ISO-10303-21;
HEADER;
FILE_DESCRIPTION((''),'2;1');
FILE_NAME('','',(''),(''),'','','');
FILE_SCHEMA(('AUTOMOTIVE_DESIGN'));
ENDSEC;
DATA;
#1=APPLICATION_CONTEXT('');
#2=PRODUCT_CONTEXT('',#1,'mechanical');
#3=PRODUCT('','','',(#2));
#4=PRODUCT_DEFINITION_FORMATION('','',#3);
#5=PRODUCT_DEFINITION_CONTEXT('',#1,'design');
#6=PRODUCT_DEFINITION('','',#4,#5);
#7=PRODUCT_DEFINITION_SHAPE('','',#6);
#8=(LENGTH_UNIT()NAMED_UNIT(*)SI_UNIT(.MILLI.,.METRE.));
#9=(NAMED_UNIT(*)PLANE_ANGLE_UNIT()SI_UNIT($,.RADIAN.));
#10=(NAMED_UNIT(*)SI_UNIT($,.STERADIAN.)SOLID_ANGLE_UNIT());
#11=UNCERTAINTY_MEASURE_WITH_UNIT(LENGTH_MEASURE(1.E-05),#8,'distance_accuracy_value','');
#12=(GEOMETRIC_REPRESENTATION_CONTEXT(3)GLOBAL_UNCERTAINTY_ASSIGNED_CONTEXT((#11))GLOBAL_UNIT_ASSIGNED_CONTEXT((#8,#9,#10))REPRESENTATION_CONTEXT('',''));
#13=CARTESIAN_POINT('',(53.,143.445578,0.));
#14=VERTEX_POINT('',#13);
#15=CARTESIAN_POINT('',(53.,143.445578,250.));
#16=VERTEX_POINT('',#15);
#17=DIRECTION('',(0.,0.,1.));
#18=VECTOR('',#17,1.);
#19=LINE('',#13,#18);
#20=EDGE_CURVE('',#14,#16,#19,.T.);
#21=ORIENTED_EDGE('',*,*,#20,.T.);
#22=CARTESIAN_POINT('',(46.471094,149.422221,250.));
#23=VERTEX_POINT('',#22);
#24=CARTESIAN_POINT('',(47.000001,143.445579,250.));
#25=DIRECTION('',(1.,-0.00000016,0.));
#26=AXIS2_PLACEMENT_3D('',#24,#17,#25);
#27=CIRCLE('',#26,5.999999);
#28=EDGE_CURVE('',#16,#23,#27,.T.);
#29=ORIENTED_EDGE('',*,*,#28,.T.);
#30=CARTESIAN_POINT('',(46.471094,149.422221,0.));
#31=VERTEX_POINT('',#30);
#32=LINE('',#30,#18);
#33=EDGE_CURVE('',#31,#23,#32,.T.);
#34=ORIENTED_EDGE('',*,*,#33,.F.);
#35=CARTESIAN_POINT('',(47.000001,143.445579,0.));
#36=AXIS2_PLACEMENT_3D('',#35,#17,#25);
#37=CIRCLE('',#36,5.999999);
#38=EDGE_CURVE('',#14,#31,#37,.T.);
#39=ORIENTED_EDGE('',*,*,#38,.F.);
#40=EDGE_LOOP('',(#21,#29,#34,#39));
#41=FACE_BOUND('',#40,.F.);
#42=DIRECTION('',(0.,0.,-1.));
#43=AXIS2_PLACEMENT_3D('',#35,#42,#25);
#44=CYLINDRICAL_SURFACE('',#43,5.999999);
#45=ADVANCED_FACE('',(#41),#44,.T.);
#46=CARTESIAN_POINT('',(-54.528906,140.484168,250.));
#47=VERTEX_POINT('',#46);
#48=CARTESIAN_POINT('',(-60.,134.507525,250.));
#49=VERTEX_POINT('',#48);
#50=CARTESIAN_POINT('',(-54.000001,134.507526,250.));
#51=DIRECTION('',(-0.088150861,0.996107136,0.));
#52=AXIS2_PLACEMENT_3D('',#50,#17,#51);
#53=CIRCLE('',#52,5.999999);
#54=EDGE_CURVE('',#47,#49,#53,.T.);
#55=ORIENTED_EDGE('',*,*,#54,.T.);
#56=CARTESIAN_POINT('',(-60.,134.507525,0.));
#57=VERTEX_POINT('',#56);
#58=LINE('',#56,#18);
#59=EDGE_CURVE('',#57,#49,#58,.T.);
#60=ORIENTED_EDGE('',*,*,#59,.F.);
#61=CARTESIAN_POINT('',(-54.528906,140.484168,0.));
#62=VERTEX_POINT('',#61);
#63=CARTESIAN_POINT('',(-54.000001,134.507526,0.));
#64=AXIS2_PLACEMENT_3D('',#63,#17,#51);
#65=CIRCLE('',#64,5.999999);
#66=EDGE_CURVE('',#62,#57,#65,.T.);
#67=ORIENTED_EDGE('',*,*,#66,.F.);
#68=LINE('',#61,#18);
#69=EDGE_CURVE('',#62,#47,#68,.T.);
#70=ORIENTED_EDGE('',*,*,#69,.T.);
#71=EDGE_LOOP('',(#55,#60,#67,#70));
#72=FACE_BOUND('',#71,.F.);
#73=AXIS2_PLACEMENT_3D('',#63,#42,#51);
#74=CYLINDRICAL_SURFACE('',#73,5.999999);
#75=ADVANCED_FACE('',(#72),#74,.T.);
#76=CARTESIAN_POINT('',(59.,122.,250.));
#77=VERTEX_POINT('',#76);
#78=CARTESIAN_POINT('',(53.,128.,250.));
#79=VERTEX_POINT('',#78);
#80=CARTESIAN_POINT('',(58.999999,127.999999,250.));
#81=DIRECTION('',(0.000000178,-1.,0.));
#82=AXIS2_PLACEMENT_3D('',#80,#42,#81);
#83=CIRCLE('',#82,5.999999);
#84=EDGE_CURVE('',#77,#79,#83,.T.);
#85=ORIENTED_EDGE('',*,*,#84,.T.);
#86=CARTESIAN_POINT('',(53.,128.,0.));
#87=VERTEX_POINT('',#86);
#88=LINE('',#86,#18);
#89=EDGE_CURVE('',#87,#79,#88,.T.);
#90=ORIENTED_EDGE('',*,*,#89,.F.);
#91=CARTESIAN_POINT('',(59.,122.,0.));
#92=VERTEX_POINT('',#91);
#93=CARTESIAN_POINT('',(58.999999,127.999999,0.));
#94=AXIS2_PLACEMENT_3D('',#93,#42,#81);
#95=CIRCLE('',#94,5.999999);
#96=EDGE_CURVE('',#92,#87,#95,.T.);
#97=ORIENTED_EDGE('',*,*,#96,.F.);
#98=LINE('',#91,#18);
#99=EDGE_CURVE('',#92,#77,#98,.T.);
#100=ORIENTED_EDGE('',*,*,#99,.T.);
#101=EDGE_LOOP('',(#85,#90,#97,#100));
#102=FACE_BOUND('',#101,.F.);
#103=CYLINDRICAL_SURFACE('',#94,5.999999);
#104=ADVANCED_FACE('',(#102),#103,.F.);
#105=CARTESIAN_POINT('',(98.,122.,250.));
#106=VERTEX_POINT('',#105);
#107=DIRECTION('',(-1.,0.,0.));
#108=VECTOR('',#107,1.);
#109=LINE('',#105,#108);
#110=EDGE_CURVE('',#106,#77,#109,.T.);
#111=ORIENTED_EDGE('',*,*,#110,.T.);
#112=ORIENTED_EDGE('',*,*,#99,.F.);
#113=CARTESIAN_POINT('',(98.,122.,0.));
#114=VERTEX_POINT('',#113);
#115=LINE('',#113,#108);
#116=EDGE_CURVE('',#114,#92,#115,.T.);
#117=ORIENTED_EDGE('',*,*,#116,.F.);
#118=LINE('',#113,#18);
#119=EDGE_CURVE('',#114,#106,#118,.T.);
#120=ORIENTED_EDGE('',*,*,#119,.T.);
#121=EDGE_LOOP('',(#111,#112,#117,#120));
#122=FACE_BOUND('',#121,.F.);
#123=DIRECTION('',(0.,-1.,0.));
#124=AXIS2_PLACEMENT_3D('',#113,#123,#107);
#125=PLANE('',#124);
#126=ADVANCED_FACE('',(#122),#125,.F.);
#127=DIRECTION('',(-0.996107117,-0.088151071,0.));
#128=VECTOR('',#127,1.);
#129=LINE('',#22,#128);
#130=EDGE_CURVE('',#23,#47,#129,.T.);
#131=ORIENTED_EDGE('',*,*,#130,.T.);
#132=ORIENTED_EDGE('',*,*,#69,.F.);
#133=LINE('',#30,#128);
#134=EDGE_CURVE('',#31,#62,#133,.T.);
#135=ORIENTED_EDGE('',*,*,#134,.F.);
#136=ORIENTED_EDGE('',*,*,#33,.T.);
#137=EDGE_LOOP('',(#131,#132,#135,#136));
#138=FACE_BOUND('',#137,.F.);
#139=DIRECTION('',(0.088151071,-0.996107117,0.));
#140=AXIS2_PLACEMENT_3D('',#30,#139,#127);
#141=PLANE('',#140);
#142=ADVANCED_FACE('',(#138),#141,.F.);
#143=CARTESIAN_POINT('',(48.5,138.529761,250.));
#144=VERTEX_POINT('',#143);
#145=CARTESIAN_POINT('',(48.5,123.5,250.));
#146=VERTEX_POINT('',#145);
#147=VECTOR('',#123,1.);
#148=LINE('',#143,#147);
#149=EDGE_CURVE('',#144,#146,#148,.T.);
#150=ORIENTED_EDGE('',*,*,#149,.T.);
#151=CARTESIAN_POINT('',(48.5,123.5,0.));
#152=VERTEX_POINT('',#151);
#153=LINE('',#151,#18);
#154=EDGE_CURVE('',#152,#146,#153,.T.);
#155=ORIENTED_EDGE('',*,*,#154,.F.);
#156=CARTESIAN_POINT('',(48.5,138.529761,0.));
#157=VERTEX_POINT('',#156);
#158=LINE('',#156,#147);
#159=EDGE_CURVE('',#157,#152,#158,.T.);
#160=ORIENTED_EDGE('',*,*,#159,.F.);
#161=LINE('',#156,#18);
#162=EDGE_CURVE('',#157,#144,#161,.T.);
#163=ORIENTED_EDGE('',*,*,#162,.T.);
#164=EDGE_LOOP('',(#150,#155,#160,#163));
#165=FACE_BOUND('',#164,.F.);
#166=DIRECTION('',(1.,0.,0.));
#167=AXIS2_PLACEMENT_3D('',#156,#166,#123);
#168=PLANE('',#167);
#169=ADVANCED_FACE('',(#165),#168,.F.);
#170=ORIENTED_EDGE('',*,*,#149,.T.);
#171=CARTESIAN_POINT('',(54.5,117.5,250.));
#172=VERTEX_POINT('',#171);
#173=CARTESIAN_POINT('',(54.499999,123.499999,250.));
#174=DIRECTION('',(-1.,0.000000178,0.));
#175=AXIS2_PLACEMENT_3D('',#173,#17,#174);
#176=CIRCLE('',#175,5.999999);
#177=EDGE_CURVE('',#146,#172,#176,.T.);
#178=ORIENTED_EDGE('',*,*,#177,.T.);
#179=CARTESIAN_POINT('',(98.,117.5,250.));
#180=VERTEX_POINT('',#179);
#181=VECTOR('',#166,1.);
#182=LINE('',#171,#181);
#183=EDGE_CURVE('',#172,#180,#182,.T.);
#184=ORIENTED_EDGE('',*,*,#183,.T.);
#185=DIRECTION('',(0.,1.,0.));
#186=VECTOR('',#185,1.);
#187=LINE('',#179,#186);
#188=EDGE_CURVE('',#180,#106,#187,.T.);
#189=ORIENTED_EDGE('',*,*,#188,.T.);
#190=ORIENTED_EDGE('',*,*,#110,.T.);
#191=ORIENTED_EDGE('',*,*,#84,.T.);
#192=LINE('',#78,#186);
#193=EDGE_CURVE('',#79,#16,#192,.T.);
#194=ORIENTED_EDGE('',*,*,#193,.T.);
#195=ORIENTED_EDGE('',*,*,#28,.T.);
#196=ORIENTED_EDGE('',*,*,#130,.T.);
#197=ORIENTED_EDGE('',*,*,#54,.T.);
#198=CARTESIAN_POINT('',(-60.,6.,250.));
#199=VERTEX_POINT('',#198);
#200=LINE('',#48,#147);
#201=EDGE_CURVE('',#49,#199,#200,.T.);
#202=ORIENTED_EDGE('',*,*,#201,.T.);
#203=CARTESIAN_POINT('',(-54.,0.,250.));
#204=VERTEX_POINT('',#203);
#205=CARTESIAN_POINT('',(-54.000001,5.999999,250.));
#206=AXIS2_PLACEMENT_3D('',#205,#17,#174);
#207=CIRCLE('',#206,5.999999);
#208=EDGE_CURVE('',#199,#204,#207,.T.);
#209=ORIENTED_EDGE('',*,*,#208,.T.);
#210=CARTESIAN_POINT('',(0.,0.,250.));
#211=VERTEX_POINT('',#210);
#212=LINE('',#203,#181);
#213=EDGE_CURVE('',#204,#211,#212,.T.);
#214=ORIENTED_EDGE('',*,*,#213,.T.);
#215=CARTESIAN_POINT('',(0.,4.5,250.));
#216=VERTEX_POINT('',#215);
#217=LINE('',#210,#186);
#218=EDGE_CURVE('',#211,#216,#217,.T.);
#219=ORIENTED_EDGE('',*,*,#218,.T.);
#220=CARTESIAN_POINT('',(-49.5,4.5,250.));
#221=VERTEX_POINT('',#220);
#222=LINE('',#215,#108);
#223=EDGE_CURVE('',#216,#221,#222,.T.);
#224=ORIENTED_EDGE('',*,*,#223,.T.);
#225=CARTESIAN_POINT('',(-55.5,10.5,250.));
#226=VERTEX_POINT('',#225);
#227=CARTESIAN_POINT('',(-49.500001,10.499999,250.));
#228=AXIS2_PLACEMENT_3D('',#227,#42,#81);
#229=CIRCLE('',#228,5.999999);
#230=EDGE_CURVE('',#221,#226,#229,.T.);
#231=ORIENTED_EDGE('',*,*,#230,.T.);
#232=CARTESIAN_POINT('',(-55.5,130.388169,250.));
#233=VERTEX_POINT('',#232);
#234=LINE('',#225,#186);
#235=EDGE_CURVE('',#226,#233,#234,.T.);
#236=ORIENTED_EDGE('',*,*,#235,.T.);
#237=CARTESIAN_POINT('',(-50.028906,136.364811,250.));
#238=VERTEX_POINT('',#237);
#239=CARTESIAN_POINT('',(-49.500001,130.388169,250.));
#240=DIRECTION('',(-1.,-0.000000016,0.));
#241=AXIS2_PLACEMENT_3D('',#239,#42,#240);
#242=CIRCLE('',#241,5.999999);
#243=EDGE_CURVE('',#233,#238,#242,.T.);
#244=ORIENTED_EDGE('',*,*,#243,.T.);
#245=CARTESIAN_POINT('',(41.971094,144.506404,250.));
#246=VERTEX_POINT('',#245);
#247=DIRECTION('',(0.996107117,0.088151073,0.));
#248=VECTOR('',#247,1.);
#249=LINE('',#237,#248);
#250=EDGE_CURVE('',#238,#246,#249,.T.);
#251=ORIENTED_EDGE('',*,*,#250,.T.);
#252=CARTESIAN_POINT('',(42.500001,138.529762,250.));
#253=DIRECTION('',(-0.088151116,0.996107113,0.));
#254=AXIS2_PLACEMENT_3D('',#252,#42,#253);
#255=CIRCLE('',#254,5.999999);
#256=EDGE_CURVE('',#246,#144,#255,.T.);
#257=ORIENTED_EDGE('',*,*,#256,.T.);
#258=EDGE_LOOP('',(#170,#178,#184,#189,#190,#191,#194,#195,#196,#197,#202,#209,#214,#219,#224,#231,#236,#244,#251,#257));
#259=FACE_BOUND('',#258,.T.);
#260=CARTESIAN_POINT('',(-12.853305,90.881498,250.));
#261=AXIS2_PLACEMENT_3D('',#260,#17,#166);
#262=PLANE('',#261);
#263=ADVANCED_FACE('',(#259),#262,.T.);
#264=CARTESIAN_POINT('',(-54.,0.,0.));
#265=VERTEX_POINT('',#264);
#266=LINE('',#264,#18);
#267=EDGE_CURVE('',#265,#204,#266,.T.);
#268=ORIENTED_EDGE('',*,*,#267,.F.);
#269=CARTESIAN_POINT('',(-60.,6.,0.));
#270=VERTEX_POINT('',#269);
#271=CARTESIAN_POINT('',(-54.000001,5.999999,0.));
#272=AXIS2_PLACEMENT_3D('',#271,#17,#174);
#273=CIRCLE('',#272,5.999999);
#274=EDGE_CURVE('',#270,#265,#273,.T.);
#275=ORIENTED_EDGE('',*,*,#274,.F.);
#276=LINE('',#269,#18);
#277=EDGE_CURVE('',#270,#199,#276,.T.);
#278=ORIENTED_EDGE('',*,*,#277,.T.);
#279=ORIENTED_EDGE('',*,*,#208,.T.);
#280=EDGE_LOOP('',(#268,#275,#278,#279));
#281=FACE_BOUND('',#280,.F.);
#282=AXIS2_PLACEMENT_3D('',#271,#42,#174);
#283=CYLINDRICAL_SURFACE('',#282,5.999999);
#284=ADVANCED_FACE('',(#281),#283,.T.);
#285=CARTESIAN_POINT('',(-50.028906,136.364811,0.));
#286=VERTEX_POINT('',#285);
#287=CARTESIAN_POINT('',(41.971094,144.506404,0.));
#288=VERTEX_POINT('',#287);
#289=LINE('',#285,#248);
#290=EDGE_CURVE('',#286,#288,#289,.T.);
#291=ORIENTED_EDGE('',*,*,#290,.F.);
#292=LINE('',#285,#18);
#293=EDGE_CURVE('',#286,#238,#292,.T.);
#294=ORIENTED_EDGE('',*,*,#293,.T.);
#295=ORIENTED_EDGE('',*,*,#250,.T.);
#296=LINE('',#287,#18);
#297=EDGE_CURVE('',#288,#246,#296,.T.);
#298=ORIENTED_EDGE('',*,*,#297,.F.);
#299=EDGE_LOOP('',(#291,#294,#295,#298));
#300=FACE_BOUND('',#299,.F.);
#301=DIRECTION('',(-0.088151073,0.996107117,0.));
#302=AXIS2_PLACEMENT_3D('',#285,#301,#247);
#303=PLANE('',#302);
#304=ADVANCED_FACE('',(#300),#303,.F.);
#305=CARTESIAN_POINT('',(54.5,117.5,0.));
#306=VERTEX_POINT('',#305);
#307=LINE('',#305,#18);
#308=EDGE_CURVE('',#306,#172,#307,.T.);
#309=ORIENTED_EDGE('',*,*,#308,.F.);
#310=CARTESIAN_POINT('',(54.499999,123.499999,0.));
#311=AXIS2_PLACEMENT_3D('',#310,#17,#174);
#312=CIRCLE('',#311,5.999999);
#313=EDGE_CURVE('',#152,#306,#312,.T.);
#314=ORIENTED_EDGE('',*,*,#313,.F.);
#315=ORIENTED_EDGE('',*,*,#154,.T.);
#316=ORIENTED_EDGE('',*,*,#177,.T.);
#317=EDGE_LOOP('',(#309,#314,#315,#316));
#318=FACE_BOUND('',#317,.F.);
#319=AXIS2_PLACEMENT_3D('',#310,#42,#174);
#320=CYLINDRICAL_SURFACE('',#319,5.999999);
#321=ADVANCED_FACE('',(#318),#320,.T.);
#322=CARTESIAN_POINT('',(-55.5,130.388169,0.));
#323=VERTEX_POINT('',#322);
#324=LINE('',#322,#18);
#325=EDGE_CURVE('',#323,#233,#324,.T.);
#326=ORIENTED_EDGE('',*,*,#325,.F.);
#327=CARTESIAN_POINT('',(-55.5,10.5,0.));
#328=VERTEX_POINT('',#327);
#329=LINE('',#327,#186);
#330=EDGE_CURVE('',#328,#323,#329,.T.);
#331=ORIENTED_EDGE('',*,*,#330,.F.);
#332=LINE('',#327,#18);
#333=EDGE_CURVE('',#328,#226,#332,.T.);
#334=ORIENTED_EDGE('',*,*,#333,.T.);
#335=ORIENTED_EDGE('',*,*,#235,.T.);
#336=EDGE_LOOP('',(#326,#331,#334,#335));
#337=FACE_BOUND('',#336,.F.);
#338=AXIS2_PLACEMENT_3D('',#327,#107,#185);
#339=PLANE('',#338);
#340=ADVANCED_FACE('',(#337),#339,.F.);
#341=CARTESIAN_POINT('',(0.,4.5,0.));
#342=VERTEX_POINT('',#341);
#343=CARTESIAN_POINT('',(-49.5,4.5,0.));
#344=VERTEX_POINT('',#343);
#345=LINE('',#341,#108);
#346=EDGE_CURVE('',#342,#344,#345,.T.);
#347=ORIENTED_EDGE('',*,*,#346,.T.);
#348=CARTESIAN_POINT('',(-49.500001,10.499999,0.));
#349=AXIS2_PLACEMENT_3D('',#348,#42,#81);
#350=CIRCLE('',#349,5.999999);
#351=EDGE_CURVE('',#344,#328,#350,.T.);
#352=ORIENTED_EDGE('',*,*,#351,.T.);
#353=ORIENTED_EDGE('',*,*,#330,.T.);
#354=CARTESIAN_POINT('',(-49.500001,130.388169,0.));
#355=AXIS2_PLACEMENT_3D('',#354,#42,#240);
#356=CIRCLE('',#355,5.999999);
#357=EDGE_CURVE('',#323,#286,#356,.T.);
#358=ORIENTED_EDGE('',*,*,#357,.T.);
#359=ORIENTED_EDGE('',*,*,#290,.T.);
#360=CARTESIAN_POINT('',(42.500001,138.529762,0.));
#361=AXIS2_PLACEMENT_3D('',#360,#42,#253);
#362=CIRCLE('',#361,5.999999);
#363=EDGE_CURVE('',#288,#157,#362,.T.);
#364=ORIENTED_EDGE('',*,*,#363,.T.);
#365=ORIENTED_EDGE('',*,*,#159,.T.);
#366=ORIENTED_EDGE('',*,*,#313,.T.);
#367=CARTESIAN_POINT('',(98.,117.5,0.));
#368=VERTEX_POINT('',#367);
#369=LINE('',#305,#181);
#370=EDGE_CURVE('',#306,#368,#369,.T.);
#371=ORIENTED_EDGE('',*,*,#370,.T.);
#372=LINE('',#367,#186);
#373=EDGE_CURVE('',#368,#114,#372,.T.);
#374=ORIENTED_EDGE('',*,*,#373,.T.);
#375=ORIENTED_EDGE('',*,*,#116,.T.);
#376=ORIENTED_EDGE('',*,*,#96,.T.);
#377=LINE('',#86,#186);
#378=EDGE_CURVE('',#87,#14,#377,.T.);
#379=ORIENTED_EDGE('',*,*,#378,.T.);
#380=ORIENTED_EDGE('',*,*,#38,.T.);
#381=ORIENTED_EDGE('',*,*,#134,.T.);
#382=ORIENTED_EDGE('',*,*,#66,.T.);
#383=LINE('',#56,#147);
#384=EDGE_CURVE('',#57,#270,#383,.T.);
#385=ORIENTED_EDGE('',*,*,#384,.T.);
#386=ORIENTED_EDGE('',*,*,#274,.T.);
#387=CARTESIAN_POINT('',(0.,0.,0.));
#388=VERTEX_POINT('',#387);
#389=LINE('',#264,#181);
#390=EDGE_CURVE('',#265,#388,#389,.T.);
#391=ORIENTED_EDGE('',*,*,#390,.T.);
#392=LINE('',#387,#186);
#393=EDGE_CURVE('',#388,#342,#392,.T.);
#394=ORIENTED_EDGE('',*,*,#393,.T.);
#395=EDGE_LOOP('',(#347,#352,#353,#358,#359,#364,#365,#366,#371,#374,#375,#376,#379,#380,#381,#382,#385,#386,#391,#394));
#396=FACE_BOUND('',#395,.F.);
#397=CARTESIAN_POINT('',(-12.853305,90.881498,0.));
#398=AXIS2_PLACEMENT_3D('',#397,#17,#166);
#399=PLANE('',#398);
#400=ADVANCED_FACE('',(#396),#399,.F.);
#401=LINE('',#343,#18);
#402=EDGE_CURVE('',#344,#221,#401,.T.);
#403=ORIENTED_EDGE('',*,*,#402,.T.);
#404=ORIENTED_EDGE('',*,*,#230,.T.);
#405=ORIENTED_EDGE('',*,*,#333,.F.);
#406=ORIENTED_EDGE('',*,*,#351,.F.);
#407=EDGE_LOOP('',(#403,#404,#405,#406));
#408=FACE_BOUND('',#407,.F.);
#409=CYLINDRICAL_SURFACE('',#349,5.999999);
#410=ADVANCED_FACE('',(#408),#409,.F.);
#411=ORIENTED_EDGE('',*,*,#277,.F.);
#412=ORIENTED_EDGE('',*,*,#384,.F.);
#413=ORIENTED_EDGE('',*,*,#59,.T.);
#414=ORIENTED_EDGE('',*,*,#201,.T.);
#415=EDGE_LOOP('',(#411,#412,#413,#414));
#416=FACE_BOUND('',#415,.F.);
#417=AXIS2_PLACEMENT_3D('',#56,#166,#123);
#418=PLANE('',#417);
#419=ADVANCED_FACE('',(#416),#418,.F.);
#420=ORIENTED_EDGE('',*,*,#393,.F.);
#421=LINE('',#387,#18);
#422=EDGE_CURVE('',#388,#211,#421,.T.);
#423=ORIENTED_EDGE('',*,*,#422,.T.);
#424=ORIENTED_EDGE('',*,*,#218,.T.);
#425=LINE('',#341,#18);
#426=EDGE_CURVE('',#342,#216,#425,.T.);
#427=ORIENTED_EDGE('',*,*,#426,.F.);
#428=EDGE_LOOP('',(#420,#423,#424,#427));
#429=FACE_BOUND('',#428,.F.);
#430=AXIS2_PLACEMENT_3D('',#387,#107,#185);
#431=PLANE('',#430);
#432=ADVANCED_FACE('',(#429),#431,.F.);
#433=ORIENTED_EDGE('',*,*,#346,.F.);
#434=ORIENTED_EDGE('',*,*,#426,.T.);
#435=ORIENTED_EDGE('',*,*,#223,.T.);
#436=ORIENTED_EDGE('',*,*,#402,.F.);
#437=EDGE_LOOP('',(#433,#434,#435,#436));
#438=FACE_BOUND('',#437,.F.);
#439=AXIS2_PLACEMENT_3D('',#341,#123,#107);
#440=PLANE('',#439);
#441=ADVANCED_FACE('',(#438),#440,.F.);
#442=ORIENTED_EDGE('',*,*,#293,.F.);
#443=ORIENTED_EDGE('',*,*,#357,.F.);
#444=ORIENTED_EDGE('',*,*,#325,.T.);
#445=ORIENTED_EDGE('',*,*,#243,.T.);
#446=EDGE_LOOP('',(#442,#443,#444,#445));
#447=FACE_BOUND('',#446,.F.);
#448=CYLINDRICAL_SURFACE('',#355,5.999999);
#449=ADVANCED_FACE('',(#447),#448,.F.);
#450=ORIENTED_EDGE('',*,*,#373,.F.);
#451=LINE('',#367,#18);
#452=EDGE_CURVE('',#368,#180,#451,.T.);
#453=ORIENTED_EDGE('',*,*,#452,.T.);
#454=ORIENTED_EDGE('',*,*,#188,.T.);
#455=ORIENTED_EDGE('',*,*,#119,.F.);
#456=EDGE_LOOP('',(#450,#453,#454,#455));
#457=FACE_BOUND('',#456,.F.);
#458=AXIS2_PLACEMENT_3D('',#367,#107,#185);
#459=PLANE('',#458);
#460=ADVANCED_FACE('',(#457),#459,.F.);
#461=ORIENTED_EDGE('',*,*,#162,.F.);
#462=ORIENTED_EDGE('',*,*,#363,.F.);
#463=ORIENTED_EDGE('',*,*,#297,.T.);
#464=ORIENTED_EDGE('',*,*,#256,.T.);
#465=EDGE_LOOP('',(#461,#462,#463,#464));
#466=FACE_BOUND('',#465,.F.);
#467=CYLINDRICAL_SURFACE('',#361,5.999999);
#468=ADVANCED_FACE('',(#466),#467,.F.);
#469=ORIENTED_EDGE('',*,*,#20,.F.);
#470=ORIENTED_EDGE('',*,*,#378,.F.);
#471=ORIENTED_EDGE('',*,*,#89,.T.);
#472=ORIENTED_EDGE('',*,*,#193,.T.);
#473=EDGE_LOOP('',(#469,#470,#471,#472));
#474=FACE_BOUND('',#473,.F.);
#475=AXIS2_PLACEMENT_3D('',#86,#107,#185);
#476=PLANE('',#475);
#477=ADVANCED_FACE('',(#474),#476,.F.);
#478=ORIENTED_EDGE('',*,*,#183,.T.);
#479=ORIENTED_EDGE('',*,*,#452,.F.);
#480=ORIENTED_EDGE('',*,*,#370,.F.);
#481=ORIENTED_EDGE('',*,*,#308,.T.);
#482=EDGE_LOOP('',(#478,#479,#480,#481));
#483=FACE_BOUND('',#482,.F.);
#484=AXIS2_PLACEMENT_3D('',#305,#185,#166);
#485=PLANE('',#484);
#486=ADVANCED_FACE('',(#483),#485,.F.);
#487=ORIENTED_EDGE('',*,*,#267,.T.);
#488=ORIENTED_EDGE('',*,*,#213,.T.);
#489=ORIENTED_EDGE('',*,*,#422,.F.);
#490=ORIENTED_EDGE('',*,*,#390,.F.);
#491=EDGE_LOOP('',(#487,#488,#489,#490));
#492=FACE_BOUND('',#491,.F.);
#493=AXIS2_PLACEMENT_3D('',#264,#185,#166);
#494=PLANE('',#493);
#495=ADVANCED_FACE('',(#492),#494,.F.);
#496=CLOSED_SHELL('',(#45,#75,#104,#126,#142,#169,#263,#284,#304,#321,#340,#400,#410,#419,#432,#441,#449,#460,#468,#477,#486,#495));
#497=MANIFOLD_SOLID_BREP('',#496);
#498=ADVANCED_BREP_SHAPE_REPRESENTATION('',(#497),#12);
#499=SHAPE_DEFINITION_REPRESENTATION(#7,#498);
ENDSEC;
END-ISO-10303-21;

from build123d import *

# Parameters (mm, degrees)
F1_DEPTH = 250


with BuildPart() as f1:
    # F0 (on Top) → F1 (new body)
    with BuildSketch(Plane.XY):
        with BuildLine():
            Line((-54, 0), (0, 0))
            Line((0, 0), (0, 4.5))
            Line((0, 4.5), (-49.5, 4.5))
            ThreePointArc((-49.5, 4.5), (-53.742641, 6.257359), (-55.5, 10.5))
            Line((-55.5, 10.5), (-55.5, 130.388169))
            ThreePointArc((-55.5, 130.388169), (-53.925689, 134.439499), (-50.028906, 136.364811))
            Line((-50.028906, 136.364811), (41.971094, 144.506404))
            ThreePointArc((41.971094, 144.506404), (46.551331, 142.95545), (48.5, 138.529761))
            Line((48.5, 138.529761), (48.5, 123.5))
            ThreePointArc((48.5, 123.5), (50.257359, 119.257359), (54.5, 117.5))
            Line((54.5, 117.5), (98, 117.5))
            Line((98, 117.5), (98, 122))
            Line((98, 122), (59, 122))
            ThreePointArc((59, 122), (54.757359, 123.757359), (53, 128))
            Line((53, 128), (53, 143.445578))
            ThreePointArc((53, 143.445578), (51.051331, 147.871267), (46.471094, 149.422221))
            Line((46.471094, 149.422221), (-54.528906, 140.484168))
            ThreePointArc((-54.528906, 140.484168), (-58.425689, 138.558856), (-60, 134.507525))
            Line((-60, 134.507525), (-60, 6))
            ThreePointArc((-60, 6), (-58.242641, 1.757359), (-54, 0))
        make_face()
    extrude(amount=F1_DEPTH)


solid = f1.part
